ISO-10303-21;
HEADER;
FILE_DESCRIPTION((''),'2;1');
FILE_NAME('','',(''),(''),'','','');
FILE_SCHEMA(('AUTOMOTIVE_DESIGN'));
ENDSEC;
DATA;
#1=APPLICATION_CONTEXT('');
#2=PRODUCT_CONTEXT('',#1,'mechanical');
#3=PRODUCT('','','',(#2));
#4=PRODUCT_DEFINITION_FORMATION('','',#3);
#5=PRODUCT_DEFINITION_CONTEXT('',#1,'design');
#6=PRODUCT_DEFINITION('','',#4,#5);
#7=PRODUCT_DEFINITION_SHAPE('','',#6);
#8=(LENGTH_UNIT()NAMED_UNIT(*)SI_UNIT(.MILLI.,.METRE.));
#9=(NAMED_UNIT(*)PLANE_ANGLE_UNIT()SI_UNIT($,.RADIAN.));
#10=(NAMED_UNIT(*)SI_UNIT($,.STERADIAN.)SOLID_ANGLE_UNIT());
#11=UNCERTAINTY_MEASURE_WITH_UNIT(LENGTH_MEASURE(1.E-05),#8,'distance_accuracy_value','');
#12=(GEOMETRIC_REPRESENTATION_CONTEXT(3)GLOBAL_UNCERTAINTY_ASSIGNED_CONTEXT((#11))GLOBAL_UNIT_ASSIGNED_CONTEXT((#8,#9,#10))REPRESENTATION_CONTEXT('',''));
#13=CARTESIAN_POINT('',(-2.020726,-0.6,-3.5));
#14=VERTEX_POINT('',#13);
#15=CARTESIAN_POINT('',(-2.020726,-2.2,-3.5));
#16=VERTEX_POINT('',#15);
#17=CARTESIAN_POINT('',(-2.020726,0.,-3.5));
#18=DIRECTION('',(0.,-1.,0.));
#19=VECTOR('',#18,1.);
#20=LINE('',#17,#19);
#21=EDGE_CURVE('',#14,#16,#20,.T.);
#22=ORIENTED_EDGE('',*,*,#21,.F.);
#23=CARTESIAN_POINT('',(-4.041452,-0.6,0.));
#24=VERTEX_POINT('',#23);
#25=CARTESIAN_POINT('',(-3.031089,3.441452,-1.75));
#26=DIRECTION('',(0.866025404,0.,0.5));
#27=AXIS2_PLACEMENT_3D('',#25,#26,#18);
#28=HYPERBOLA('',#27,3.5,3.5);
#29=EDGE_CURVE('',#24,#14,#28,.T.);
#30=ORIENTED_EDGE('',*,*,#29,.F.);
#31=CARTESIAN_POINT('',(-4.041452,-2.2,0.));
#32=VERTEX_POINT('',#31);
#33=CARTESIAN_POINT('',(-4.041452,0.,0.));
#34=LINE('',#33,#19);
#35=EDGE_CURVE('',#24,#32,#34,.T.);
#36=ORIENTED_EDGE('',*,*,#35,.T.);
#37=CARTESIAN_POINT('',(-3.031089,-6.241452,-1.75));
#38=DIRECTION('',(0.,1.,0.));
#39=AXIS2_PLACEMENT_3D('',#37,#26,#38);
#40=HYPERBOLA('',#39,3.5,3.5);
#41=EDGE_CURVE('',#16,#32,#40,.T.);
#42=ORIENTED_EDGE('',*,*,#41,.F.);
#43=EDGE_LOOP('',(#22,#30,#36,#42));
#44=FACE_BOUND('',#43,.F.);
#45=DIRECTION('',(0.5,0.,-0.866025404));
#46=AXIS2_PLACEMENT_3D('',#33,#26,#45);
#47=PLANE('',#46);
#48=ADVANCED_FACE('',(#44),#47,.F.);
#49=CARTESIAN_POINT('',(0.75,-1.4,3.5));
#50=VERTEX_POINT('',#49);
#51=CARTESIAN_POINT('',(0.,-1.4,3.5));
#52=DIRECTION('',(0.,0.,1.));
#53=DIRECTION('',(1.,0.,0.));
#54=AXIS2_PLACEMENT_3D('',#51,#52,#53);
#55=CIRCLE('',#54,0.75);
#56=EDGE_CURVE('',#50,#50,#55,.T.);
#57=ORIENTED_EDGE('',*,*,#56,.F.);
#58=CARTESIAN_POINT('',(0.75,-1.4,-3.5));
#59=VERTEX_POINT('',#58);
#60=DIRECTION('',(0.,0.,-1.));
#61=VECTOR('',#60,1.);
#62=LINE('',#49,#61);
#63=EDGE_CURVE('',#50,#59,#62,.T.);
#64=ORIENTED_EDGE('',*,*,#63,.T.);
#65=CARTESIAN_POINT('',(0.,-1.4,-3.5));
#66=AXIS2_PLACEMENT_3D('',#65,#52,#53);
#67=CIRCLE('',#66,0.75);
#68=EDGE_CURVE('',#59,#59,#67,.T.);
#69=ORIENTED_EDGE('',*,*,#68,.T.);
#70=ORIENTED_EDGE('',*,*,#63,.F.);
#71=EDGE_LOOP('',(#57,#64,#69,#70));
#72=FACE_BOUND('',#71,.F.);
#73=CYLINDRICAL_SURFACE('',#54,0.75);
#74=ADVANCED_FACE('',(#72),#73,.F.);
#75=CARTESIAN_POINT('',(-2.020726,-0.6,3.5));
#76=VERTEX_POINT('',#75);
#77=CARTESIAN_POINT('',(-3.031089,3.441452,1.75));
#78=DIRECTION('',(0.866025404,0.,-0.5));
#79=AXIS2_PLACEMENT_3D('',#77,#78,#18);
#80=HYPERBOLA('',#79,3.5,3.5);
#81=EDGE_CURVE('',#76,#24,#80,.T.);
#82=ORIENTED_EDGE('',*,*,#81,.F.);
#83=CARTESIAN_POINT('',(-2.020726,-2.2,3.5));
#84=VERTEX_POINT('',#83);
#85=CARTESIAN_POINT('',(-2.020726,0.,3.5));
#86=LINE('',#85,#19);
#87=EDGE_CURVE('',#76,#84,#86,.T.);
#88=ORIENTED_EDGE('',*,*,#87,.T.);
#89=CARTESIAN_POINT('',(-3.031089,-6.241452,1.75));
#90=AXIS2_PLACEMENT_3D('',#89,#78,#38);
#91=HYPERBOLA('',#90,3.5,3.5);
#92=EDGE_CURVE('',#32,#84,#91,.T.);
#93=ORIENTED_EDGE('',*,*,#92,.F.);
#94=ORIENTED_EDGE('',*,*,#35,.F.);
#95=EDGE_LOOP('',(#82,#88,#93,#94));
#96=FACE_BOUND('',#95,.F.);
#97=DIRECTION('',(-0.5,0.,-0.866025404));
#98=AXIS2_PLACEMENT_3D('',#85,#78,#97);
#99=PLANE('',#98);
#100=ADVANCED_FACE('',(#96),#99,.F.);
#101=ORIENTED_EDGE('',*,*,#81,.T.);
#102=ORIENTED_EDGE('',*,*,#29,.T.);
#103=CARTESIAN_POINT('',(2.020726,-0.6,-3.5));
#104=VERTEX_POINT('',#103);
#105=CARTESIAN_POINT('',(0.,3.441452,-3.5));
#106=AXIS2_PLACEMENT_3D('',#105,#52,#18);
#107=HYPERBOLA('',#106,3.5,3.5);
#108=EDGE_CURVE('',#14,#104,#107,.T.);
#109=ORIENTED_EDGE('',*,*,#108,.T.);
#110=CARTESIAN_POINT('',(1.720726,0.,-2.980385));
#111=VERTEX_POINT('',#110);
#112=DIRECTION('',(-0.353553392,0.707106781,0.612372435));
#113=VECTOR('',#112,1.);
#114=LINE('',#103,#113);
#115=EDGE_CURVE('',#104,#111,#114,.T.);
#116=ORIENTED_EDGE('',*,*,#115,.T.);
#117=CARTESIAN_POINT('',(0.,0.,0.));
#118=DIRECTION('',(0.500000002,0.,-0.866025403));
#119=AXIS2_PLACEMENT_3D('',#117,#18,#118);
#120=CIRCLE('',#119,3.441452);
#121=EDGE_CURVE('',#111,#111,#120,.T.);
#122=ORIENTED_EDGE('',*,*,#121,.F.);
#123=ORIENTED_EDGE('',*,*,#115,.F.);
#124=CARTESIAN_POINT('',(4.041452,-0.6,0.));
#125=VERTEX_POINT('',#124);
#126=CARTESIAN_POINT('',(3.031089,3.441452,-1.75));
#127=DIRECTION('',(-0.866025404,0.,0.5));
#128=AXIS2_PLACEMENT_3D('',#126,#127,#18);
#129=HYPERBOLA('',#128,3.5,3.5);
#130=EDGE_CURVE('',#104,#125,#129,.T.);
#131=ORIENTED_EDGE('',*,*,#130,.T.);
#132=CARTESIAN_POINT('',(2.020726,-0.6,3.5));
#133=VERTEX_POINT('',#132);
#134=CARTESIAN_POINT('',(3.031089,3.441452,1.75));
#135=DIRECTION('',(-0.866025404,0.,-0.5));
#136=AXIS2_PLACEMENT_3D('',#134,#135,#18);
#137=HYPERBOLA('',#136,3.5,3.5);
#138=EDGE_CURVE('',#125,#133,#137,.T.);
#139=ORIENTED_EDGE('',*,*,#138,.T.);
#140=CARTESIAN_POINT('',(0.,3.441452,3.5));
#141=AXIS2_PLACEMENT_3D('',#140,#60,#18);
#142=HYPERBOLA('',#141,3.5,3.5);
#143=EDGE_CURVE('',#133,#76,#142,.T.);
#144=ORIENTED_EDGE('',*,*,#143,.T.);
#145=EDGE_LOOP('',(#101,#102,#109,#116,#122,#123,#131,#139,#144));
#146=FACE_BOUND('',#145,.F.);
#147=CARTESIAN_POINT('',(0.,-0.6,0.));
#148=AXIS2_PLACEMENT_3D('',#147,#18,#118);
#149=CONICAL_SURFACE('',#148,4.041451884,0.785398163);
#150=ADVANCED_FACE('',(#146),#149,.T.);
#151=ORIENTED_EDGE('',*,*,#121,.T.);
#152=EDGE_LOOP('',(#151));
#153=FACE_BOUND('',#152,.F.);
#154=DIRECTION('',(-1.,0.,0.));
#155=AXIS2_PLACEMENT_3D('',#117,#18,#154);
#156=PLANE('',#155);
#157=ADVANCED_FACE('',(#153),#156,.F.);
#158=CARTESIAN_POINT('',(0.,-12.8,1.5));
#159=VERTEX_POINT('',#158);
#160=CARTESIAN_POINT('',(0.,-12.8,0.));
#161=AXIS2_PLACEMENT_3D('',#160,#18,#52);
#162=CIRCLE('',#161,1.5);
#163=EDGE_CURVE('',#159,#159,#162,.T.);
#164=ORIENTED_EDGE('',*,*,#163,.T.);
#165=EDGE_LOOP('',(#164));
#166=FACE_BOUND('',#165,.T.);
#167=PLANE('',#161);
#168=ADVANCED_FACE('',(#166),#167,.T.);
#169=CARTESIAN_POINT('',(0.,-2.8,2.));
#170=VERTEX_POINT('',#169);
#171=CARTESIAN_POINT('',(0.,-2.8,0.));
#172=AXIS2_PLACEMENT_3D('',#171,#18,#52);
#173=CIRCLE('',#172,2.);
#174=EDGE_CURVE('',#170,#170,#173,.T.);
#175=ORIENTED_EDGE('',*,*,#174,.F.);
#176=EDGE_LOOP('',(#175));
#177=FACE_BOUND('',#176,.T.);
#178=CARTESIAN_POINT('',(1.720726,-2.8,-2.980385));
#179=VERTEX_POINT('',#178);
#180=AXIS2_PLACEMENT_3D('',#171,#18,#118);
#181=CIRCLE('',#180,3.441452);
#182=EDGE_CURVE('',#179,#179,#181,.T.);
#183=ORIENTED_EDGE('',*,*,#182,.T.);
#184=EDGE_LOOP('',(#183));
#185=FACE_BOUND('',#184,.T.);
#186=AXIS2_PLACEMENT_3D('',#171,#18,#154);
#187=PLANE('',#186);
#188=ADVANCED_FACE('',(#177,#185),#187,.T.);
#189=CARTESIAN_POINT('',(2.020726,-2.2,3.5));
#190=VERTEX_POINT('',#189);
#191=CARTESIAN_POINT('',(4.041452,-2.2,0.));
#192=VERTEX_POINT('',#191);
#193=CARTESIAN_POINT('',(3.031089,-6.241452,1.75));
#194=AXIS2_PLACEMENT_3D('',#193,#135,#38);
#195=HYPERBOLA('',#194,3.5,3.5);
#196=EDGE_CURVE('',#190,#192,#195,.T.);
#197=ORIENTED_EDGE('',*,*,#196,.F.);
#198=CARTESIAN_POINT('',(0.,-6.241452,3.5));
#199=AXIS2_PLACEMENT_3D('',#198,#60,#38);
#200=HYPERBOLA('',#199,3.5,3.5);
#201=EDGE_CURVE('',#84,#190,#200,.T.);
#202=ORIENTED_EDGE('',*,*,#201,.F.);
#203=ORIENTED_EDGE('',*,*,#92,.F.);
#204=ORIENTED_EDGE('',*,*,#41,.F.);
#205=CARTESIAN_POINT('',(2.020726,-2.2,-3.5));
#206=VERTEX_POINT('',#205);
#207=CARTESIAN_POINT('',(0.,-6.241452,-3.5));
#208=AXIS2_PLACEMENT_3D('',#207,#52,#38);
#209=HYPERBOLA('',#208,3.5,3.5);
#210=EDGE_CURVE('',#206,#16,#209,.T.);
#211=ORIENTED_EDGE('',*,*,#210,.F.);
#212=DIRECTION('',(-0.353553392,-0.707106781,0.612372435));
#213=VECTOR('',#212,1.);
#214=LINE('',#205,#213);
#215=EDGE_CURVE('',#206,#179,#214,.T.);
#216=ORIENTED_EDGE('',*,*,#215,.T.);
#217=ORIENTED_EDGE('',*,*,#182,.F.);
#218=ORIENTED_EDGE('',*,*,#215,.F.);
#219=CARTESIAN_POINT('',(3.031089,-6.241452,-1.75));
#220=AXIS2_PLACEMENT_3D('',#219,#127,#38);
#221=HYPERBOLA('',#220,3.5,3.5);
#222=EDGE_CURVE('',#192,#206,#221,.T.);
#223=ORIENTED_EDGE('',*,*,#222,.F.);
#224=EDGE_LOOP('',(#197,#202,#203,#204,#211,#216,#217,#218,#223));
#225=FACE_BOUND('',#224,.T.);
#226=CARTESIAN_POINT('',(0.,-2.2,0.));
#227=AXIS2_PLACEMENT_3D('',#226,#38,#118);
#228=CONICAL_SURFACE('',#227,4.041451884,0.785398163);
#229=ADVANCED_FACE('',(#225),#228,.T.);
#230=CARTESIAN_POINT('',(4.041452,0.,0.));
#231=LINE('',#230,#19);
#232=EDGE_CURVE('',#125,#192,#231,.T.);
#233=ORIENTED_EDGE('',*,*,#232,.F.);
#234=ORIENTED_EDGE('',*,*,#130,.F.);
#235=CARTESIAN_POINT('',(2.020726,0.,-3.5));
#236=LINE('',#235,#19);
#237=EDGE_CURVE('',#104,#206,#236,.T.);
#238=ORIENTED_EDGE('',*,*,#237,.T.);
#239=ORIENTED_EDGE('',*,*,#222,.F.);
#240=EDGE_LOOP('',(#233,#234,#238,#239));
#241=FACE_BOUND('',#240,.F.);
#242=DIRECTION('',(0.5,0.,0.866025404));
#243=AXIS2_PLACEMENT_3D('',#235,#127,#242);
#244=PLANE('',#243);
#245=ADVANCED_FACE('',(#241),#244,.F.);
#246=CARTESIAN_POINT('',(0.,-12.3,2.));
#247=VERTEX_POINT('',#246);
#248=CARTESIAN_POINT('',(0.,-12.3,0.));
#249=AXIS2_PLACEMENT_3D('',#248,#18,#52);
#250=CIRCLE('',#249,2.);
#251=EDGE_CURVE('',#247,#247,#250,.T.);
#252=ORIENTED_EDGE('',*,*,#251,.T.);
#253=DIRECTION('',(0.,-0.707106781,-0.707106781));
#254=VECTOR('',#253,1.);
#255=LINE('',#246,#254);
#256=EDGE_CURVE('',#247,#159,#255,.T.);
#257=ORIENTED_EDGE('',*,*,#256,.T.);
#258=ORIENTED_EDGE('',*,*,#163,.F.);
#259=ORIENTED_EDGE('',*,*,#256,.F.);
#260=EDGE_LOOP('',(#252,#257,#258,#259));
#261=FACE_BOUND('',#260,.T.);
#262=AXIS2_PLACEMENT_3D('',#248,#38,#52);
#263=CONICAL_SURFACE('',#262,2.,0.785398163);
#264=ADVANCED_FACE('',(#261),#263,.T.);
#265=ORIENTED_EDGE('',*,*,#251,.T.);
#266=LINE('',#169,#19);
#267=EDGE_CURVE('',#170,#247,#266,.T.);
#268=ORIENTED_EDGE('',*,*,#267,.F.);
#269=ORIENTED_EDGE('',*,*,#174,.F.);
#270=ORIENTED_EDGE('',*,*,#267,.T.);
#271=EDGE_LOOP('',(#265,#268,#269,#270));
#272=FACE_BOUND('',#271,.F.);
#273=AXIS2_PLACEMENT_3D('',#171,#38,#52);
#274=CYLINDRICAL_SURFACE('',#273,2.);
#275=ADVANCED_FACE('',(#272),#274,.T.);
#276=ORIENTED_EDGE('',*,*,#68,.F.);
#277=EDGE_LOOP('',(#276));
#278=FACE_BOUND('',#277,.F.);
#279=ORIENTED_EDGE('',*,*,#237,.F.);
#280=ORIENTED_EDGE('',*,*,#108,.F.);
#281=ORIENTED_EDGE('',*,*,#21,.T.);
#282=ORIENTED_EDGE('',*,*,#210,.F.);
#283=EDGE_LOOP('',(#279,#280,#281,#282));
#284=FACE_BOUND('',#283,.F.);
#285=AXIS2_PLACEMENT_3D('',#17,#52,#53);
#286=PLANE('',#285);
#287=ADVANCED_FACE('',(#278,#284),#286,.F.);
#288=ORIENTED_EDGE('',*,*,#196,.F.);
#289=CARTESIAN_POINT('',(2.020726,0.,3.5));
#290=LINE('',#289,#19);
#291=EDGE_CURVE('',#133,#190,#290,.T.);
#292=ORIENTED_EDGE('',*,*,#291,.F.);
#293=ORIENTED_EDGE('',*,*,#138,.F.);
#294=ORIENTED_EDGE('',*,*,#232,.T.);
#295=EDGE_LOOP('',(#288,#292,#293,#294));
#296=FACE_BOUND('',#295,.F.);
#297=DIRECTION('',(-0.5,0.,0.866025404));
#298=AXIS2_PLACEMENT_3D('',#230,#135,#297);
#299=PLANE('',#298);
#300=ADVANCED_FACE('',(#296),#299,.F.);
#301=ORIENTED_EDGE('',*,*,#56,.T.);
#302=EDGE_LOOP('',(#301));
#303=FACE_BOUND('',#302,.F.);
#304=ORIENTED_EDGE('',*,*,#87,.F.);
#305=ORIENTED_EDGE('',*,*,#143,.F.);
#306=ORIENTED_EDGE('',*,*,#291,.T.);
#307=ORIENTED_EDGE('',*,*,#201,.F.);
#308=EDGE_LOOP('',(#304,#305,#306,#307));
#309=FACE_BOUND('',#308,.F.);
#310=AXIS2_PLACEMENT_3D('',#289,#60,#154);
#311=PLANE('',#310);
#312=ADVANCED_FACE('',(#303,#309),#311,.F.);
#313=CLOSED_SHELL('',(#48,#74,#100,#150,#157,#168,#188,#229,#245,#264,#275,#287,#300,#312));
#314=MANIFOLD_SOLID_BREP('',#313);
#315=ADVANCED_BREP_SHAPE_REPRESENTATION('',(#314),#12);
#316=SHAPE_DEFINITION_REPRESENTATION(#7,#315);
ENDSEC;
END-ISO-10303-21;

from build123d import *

# Parameters (mm, degrees)
EXTRUDE_1_DEPTH     = 2.8
SKETCH_5_R          = 2
EXTRUDE_2_DEPTH     = 10
CHAMFER_1_SIZE      = 0.5
SKETCH_6_R          = 0.75
CUT_EXTRUDE_1_DEPTH = 16.138471962


with BuildPart() as part:
    # Эскиз1 → Вытянуть1 (new body)
    with BuildSketch(Plane(origin=(0, 0, 0), x_dir=(1, 0, 0), z_dir=(0, 1, 0))):
        Polygon((-2.020725942, 3.5), (2.020725942, 3.5), (4.041451884, 0), (2.020725942, -3.5), (-2.020725942, -3.5), (-4.041451884, 0), align=None)
    extrude(amount=-EXTRUDE_1_DEPTH)

    # Эскиз5 → Вытянуть2 (add)
    with BuildSketch(Plane.XZ.offset(2.8)):
        with Locations(Location((0, 0, 0), (0, 0, 90))):
            Circle(SKETCH_5_R)
    extrude(amount=EXTRUDE_2_DEPTH)

    # Фаска1
    chamfer_1_edges = [part.edges().sort_by_distance(p)[0] for p in [
        (0, -12.8, -2),
    ]]
    chamfer(chamfer_1_edges, length=CHAMFER_1_SIZE)

    # Эскиз4 → Вырез-Повернуть1 (revolve, cut)
    with BuildSketch(Plane.XY, mode=Mode.PRIVATE) as cut_revolve_1_sk:
        Polygon((-4.041451884, -0.6), (-3.441451884, 0), (-4.041451884, 0), align=None)
        Polygon((-4.041451884, -2.2), (-3.441451884, -2.8), (-4.041451884, -2.8), align=None)
    revolve(cut_revolve_1_sk.sketch.rotate(Axis((0, -2.8, 0), (0, -1, 0)), 120.000000136), axis=Axis((0, -2.8, 0), (0, -1, 0)), mode=Mode.SUBTRACT)

    # Эскиз6 → Вырез-Вытянуть1 (cut, through all)
    with BuildSketch(Plane.XY.offset(3.5)):
        with Locations((0, -1.4)):
            Circle(SKETCH_6_R)
    extrude(amount=-CUT_EXTRUDE_1_DEPTH, mode=Mode.SUBTRACT)


solid = part.part
